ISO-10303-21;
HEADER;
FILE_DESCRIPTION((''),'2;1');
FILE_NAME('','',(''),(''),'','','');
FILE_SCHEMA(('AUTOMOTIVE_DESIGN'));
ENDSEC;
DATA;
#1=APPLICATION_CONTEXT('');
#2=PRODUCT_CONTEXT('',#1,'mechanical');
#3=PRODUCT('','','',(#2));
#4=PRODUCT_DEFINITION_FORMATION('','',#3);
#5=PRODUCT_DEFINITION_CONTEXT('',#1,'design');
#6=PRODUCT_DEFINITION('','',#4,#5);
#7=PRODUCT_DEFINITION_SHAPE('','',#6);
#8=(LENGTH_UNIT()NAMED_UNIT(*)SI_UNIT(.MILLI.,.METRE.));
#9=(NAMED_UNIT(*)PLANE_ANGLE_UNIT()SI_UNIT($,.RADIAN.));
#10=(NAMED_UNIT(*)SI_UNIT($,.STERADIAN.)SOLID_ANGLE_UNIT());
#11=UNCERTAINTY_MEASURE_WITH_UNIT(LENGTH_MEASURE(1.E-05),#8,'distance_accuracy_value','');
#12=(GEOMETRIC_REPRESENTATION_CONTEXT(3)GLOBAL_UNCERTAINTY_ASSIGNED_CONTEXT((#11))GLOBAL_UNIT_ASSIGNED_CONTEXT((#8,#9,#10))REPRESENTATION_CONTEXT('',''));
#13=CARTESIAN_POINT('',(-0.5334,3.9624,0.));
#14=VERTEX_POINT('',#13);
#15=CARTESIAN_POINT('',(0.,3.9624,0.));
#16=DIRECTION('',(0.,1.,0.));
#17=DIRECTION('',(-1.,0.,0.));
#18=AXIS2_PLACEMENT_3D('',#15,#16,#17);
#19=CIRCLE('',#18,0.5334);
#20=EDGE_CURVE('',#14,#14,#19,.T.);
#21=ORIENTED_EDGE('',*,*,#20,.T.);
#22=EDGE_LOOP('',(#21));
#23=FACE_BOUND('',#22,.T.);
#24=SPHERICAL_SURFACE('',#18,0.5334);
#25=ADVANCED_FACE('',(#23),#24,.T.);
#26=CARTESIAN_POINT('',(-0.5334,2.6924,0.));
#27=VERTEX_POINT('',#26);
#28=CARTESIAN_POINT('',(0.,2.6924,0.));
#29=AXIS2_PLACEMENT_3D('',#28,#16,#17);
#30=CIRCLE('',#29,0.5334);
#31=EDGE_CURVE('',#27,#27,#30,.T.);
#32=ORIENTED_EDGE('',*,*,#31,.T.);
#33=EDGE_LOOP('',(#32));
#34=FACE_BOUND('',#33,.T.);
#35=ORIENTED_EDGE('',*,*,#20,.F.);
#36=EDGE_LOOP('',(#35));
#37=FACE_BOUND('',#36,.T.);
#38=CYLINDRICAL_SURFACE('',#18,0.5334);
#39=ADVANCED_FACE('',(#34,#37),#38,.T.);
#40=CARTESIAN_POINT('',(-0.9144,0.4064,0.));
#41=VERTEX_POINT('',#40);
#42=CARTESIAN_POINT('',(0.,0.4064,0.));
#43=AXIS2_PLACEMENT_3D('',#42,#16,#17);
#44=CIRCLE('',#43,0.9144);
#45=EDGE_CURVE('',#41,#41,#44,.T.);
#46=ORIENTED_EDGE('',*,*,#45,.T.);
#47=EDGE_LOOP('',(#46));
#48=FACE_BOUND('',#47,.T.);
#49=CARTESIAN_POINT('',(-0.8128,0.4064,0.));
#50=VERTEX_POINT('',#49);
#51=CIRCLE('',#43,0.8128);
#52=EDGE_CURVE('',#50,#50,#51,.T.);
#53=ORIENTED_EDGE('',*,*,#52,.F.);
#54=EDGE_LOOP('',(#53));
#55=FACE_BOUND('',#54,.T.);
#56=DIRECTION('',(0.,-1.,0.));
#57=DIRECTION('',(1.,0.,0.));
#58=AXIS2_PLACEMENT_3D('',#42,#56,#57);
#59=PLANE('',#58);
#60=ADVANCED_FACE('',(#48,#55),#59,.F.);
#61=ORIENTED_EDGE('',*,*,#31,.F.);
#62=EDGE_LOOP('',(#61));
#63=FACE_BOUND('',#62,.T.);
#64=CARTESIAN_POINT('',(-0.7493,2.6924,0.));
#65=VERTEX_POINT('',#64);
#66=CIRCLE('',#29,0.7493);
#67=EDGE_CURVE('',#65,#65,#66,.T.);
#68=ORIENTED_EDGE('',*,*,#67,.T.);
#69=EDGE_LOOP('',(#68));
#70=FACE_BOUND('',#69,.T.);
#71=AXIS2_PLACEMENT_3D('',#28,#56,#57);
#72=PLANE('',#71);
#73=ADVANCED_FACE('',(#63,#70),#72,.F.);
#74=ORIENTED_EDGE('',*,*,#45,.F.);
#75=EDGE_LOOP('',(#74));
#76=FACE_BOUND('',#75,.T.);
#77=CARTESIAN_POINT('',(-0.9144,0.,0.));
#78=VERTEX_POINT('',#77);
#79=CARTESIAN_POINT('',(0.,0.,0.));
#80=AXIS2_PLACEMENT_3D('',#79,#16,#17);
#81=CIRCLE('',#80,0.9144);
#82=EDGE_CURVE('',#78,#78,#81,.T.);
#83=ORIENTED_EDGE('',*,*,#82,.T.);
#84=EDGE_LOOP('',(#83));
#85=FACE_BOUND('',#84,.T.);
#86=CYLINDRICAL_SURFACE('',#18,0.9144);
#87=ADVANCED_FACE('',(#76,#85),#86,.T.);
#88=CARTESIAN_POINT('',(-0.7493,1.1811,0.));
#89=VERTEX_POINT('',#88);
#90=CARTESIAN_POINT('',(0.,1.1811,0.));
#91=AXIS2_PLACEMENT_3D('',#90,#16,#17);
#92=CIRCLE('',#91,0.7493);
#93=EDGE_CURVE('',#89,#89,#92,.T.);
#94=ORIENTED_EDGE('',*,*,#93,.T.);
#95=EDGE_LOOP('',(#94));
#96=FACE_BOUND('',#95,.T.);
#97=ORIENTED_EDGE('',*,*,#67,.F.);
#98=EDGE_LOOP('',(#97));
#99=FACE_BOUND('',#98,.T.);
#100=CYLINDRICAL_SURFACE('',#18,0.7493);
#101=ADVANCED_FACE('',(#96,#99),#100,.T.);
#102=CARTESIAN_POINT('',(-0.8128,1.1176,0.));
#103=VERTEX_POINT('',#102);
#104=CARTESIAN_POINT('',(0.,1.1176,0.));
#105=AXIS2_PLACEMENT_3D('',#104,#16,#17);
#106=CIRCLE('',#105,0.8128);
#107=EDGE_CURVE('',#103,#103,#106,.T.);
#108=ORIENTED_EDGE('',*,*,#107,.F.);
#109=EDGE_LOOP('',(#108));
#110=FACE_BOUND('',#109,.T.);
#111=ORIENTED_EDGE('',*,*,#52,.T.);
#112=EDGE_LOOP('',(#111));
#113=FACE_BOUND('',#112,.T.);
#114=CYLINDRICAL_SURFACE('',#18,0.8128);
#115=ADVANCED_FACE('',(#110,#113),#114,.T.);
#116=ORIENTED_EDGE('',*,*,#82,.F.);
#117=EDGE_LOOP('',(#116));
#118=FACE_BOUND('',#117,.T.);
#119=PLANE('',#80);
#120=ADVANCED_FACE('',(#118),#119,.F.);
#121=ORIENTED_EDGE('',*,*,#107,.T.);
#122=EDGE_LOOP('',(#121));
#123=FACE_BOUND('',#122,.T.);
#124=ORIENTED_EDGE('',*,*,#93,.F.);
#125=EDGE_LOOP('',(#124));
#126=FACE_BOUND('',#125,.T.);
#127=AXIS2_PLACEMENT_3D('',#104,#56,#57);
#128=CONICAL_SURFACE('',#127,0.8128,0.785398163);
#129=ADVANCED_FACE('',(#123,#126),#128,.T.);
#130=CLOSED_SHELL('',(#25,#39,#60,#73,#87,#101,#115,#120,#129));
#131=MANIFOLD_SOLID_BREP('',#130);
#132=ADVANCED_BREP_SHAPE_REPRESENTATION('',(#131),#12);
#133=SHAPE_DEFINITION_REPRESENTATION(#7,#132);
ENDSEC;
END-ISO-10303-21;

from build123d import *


with BuildPart() as part:
    # Sketch3 → Revolve1 (revolve)
    with BuildSketch(Plane.XY):
        with BuildLine():
            Line((-0.5334, 3.9624), (0, 3.9624))
            Line((0, 3.9624), (0, 4.4958))
            ThreePointArc((0, 4.4958), (-0.377170757, 4.339570757), (-0.5334, 3.9624))
        make_face()
        with BuildLine():
            ThreePointArc((-0.5334, 3.9624), (-0.377170757, 3.585229243), (0, 3.429))
            Line((0, 3.429), (0, 3.9624))
            Line((0, 3.9624), (-0.5334, 3.9624))
        make_face()
        with BuildLine():
            Line((-0.8128, 1.1176), (0, 1.1176))
            Line((0, 1.1176), (0, 3.429))
            ThreePointArc((0, 3.429), (-0.377170757, 3.585229243), (-0.5334, 3.9624))
            Line((-0.5334, 3.9624), (-0.5334, 2.6924))
            Line((-0.5334, 2.6924), (-0.7493, 2.6924))
            Line((-0.7493, 2.6924), (-0.7493, 1.1811))
            Line((-0.7493, 1.1811), (-0.8128, 1.1176))
        make_face()
        Polygon((-0.9144, 0), (0, 0), (0, 1.1176), (-0.8128, 1.1176), (-0.8128, 0.4064), (-0.9144, 0.4064), align=None)
    revolve(axis=Axis((0, 3.9624, 0), (0, -1, 0)))


solid = part.part
